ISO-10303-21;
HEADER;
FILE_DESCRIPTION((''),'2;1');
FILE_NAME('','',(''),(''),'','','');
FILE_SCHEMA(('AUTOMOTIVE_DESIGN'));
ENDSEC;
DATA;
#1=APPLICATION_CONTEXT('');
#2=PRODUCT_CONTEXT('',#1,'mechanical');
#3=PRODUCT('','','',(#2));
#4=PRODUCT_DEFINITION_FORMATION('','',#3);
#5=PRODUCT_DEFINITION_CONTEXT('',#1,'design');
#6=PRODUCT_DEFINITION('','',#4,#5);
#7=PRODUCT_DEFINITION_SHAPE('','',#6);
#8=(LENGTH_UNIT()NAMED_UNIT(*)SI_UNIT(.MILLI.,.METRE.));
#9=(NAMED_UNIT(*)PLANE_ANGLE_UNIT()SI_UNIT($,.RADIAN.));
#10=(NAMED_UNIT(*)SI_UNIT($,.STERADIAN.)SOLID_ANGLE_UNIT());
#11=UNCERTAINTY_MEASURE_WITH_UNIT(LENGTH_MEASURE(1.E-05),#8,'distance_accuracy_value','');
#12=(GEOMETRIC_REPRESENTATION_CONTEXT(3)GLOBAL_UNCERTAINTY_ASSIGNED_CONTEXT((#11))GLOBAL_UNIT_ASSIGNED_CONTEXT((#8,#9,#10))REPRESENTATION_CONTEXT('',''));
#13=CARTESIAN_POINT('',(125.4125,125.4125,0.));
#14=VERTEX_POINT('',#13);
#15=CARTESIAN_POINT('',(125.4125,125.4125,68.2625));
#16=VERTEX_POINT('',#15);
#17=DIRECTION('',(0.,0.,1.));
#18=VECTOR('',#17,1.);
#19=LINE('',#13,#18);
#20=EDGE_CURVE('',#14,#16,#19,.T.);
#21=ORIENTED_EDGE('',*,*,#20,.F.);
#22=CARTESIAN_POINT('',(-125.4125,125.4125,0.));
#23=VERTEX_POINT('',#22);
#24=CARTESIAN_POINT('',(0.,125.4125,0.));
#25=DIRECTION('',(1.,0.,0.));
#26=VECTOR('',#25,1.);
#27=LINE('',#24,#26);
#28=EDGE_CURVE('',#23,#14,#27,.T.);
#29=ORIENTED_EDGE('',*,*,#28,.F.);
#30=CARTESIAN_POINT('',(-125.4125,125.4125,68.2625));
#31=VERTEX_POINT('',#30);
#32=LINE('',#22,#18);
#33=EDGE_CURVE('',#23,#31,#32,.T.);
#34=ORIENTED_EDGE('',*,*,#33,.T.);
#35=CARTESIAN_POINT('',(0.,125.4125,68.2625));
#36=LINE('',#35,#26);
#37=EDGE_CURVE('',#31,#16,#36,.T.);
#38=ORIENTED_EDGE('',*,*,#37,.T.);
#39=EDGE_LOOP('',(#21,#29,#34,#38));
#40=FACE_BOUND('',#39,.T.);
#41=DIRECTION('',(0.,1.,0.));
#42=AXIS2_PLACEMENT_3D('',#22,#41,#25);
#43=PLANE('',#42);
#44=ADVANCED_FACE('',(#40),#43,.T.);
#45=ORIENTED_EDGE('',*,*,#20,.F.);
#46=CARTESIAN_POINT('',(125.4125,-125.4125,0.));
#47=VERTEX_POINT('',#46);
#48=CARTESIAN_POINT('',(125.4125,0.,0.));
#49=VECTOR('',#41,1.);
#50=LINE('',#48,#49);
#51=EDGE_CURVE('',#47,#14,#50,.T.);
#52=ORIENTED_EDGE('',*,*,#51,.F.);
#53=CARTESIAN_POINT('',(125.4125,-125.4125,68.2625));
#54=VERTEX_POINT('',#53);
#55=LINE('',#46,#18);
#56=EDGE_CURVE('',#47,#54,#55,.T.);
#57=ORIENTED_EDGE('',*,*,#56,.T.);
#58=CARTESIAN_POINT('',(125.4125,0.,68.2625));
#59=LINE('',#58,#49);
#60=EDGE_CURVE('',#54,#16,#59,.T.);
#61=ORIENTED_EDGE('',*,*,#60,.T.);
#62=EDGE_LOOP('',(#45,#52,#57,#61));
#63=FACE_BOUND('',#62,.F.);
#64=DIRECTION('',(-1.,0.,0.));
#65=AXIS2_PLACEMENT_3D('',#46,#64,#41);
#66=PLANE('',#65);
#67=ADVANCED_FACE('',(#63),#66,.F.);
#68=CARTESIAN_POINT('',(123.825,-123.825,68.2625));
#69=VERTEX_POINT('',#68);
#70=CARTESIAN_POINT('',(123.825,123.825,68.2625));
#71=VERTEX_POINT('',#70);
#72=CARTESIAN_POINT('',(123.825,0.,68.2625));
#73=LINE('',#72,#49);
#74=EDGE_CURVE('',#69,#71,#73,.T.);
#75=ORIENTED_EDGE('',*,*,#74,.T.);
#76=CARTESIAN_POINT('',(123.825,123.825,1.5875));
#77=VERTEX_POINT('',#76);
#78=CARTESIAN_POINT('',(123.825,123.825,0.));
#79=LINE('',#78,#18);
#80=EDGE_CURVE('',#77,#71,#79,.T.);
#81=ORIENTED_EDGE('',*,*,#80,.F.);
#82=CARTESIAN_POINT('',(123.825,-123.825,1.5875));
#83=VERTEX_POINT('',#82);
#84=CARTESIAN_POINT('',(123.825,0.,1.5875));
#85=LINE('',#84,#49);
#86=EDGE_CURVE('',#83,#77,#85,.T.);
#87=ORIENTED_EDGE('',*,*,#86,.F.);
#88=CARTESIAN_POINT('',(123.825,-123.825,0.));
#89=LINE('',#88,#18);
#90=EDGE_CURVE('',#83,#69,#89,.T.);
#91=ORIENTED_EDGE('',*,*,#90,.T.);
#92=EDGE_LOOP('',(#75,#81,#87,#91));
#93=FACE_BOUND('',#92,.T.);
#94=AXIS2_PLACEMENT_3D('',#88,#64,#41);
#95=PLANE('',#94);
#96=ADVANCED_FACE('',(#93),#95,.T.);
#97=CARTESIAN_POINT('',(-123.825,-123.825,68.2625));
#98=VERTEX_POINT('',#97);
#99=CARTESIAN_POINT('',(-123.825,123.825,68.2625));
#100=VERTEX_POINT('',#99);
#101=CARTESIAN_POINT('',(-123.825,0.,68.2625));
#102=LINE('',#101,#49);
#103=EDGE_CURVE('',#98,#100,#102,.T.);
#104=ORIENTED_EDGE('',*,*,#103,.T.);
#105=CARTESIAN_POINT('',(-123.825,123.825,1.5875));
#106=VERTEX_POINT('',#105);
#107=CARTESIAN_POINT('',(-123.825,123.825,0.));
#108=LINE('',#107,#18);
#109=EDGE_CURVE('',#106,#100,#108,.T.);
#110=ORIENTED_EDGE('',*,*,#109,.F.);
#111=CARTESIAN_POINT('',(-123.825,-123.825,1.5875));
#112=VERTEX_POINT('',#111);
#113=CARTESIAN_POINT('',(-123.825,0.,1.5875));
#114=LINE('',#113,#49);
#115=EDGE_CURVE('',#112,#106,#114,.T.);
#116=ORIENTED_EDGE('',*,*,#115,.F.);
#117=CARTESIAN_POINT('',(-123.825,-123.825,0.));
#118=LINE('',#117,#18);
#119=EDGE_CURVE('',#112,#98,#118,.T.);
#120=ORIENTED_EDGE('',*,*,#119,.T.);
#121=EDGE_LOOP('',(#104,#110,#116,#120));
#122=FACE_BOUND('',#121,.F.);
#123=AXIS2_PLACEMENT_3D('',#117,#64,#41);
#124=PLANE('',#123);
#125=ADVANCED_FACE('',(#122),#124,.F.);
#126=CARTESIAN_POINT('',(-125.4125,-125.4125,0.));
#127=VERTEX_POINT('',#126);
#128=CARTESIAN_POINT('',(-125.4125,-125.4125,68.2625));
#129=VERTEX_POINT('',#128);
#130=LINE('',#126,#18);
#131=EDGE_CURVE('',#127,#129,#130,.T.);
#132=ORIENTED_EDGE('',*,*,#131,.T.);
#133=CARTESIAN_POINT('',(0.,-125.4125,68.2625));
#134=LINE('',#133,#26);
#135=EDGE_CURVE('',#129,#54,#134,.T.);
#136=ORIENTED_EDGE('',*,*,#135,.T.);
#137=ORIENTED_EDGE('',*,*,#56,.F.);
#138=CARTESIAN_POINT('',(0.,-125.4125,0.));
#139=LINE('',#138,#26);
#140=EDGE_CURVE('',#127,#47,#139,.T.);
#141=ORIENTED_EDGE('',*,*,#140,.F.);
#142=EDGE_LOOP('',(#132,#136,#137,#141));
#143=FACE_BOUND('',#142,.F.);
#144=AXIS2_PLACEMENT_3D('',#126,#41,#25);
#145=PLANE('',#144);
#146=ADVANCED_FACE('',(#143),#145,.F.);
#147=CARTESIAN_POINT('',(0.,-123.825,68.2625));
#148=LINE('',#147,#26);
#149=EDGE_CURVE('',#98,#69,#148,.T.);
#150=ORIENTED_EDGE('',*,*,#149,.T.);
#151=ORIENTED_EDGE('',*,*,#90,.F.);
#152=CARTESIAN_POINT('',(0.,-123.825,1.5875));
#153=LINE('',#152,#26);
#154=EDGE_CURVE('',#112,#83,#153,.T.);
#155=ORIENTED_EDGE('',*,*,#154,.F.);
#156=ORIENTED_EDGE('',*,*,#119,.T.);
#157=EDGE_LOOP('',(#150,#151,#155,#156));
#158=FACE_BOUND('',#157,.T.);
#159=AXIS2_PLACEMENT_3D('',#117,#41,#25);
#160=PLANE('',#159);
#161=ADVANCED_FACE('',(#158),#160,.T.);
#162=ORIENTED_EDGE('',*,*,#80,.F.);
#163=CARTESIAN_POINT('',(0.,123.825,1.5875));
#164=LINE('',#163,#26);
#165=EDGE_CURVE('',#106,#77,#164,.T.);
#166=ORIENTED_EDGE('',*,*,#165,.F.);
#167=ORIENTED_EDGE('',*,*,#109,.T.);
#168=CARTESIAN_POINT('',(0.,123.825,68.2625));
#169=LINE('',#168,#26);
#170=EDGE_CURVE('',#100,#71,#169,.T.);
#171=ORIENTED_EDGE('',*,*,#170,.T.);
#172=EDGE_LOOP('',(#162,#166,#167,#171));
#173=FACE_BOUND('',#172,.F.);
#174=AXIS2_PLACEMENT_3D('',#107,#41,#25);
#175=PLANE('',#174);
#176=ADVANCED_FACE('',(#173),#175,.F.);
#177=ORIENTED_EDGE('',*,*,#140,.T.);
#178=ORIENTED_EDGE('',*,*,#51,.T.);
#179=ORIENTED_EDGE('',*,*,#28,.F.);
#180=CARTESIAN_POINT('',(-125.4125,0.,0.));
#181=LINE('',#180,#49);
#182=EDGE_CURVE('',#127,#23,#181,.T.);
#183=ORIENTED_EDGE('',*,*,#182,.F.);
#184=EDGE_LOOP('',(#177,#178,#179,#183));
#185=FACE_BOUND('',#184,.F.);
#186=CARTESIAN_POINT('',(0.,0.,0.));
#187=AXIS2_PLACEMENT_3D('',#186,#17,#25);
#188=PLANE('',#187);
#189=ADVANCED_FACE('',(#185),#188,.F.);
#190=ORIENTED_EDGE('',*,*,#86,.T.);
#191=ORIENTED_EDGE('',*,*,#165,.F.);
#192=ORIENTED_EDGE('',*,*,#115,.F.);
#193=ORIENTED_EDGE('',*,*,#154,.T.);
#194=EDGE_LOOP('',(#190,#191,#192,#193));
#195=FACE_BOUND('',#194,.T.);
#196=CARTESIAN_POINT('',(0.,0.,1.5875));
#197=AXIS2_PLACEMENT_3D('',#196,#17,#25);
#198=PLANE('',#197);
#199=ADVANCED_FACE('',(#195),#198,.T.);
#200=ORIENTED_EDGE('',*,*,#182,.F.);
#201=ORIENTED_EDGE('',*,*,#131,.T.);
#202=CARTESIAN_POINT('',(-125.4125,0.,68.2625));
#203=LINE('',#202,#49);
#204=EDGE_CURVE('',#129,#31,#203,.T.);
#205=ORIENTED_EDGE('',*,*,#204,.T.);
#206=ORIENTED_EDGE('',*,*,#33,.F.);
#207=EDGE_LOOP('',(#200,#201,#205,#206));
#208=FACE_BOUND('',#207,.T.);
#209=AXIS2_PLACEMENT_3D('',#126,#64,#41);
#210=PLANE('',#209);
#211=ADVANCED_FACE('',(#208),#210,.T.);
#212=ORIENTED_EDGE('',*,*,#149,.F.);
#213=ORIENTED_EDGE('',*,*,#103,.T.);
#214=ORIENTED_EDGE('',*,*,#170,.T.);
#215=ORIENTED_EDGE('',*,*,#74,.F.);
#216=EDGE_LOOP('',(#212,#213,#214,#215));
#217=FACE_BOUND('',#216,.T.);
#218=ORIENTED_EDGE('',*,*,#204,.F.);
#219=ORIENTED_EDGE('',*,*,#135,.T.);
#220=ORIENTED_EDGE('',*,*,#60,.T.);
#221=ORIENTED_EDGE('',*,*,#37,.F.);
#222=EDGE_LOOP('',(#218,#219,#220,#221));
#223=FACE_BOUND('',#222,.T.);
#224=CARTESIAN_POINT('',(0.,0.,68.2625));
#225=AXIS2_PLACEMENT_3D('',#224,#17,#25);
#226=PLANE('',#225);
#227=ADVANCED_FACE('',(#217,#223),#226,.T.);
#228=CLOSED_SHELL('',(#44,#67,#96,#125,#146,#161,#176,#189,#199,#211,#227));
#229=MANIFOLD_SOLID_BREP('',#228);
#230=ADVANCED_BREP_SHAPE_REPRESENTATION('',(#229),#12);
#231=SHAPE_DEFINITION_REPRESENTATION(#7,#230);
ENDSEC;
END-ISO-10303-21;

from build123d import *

# Parameters (mm, degrees)
F0_W     = 247.65
F0_H     = 247.65
F1_DEPTH = 1.5875
F2_W     = 250.825
F2_H     = 250.825
F2_W_2   = 247.65
F2_H_2   = 247.65
F3_DEPTH = 68.2625


with BuildPart() as f1:
    # F0 (on Top) → F1 (new body)
    with BuildSketch(Plane.XY):
        Rectangle(F0_W, F0_H)
    extrude(amount=F1_DEPTH)

    # F2 (on Top) → F3 (join)
    with BuildSketch(Plane.XY):
        Rectangle(F2_W, F2_H)
        Rectangle(F2_W_2, F2_H_2, mode=Mode.SUBTRACT)
    extrude(amount=F3_DEPTH)


solid = f1.part
